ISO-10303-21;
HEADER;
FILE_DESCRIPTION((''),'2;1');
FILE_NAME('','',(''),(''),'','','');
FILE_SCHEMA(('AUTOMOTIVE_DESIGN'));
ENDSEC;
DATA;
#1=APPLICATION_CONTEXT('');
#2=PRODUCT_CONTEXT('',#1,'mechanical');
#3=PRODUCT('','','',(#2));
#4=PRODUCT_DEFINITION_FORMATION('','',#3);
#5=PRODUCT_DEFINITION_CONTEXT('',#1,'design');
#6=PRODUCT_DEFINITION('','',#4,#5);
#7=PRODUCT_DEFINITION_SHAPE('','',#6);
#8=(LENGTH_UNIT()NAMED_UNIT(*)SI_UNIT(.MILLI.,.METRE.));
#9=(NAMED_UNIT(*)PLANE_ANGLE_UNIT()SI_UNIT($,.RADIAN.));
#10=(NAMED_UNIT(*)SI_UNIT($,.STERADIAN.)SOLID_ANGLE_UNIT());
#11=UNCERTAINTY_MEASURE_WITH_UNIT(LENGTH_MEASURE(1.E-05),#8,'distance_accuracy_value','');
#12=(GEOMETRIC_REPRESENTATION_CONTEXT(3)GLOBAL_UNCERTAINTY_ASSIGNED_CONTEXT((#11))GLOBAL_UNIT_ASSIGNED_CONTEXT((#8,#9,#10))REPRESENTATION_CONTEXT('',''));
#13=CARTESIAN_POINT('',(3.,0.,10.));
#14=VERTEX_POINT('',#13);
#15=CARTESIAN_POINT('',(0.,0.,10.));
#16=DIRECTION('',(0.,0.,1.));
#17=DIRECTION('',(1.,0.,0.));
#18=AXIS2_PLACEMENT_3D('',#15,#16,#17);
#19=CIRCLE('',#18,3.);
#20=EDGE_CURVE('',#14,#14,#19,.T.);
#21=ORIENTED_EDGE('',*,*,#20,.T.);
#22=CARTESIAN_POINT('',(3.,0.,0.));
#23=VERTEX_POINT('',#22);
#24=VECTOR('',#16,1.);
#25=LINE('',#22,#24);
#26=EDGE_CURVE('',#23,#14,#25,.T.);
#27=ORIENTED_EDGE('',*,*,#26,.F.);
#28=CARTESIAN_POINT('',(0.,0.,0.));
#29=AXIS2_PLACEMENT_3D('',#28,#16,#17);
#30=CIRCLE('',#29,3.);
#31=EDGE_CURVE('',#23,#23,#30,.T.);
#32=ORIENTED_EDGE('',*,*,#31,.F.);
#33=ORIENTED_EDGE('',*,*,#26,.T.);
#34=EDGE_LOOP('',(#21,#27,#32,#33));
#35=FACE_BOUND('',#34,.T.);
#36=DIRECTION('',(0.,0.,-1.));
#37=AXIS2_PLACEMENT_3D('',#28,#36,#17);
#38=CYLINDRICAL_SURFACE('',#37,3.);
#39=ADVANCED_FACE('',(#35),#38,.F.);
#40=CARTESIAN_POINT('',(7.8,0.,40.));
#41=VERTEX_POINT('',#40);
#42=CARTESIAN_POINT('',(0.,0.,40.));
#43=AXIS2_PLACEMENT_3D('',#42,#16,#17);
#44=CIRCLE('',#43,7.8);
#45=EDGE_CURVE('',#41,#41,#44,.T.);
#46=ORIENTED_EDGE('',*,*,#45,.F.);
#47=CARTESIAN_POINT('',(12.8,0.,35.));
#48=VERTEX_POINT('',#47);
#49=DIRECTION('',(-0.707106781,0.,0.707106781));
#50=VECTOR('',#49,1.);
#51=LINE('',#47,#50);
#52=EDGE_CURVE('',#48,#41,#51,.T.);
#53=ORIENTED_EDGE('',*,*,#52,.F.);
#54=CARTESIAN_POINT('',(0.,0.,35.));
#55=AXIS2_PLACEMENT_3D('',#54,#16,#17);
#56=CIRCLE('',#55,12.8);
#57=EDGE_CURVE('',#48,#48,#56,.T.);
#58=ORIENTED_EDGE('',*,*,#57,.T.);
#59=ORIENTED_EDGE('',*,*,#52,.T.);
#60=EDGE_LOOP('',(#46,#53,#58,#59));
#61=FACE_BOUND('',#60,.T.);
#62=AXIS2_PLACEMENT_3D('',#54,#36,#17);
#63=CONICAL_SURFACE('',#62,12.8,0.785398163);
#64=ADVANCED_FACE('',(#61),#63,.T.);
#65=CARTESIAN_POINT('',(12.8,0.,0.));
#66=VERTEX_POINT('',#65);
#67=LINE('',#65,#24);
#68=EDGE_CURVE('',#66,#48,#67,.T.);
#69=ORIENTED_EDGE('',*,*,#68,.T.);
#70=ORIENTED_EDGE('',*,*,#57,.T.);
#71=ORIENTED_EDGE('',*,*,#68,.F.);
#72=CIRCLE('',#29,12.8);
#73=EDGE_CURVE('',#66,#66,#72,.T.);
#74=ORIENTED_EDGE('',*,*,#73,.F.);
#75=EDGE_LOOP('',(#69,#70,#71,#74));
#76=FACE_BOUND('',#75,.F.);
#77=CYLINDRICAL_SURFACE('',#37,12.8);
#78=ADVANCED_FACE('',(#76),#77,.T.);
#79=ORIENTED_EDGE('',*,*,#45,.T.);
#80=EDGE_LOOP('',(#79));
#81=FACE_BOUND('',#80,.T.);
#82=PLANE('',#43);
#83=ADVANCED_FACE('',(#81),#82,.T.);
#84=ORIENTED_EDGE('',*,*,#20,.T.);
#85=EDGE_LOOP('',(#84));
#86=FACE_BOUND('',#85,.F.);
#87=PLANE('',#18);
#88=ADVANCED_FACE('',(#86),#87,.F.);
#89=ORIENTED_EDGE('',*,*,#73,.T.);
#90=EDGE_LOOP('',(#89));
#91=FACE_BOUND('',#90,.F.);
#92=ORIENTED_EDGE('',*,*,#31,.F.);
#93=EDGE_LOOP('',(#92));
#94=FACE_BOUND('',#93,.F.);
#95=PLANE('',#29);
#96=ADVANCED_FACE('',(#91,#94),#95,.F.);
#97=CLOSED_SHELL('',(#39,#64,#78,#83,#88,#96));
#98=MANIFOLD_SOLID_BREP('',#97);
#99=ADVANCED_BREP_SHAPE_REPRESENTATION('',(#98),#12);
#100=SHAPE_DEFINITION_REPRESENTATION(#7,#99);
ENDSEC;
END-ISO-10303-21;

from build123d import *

# Parameters (mm, degrees)
F0_R     = 12.8
F0_R_2   = 3
F1_DEPTH = 40
F2_SIZE  = 5
F3_DEPTH = 10


with BuildPart() as f1:
    # F0 (on Top) → F1 (new body)
    with BuildSketch(Plane.XY):
        Circle(F0_R)
        Circle(F0_R_2, mode=Mode.SUBTRACT)
        Circle(F0_R_2)
    extrude(amount=F1_DEPTH)

    # F2
    f2_edges = [f1.edges().sort_by_distance(p)[0] for p in [
        (-12.8, 0, 40),
    ]]
    chamfer(f2_edges, length=F2_SIZE)

    # F0 (on Top) → F3 (cut)
    with BuildSketch(Plane.XY):
        Circle(F0_R_2)
    extrude(amount=F3_DEPTH, mode=Mode.SUBTRACT)


solid = f1.part
